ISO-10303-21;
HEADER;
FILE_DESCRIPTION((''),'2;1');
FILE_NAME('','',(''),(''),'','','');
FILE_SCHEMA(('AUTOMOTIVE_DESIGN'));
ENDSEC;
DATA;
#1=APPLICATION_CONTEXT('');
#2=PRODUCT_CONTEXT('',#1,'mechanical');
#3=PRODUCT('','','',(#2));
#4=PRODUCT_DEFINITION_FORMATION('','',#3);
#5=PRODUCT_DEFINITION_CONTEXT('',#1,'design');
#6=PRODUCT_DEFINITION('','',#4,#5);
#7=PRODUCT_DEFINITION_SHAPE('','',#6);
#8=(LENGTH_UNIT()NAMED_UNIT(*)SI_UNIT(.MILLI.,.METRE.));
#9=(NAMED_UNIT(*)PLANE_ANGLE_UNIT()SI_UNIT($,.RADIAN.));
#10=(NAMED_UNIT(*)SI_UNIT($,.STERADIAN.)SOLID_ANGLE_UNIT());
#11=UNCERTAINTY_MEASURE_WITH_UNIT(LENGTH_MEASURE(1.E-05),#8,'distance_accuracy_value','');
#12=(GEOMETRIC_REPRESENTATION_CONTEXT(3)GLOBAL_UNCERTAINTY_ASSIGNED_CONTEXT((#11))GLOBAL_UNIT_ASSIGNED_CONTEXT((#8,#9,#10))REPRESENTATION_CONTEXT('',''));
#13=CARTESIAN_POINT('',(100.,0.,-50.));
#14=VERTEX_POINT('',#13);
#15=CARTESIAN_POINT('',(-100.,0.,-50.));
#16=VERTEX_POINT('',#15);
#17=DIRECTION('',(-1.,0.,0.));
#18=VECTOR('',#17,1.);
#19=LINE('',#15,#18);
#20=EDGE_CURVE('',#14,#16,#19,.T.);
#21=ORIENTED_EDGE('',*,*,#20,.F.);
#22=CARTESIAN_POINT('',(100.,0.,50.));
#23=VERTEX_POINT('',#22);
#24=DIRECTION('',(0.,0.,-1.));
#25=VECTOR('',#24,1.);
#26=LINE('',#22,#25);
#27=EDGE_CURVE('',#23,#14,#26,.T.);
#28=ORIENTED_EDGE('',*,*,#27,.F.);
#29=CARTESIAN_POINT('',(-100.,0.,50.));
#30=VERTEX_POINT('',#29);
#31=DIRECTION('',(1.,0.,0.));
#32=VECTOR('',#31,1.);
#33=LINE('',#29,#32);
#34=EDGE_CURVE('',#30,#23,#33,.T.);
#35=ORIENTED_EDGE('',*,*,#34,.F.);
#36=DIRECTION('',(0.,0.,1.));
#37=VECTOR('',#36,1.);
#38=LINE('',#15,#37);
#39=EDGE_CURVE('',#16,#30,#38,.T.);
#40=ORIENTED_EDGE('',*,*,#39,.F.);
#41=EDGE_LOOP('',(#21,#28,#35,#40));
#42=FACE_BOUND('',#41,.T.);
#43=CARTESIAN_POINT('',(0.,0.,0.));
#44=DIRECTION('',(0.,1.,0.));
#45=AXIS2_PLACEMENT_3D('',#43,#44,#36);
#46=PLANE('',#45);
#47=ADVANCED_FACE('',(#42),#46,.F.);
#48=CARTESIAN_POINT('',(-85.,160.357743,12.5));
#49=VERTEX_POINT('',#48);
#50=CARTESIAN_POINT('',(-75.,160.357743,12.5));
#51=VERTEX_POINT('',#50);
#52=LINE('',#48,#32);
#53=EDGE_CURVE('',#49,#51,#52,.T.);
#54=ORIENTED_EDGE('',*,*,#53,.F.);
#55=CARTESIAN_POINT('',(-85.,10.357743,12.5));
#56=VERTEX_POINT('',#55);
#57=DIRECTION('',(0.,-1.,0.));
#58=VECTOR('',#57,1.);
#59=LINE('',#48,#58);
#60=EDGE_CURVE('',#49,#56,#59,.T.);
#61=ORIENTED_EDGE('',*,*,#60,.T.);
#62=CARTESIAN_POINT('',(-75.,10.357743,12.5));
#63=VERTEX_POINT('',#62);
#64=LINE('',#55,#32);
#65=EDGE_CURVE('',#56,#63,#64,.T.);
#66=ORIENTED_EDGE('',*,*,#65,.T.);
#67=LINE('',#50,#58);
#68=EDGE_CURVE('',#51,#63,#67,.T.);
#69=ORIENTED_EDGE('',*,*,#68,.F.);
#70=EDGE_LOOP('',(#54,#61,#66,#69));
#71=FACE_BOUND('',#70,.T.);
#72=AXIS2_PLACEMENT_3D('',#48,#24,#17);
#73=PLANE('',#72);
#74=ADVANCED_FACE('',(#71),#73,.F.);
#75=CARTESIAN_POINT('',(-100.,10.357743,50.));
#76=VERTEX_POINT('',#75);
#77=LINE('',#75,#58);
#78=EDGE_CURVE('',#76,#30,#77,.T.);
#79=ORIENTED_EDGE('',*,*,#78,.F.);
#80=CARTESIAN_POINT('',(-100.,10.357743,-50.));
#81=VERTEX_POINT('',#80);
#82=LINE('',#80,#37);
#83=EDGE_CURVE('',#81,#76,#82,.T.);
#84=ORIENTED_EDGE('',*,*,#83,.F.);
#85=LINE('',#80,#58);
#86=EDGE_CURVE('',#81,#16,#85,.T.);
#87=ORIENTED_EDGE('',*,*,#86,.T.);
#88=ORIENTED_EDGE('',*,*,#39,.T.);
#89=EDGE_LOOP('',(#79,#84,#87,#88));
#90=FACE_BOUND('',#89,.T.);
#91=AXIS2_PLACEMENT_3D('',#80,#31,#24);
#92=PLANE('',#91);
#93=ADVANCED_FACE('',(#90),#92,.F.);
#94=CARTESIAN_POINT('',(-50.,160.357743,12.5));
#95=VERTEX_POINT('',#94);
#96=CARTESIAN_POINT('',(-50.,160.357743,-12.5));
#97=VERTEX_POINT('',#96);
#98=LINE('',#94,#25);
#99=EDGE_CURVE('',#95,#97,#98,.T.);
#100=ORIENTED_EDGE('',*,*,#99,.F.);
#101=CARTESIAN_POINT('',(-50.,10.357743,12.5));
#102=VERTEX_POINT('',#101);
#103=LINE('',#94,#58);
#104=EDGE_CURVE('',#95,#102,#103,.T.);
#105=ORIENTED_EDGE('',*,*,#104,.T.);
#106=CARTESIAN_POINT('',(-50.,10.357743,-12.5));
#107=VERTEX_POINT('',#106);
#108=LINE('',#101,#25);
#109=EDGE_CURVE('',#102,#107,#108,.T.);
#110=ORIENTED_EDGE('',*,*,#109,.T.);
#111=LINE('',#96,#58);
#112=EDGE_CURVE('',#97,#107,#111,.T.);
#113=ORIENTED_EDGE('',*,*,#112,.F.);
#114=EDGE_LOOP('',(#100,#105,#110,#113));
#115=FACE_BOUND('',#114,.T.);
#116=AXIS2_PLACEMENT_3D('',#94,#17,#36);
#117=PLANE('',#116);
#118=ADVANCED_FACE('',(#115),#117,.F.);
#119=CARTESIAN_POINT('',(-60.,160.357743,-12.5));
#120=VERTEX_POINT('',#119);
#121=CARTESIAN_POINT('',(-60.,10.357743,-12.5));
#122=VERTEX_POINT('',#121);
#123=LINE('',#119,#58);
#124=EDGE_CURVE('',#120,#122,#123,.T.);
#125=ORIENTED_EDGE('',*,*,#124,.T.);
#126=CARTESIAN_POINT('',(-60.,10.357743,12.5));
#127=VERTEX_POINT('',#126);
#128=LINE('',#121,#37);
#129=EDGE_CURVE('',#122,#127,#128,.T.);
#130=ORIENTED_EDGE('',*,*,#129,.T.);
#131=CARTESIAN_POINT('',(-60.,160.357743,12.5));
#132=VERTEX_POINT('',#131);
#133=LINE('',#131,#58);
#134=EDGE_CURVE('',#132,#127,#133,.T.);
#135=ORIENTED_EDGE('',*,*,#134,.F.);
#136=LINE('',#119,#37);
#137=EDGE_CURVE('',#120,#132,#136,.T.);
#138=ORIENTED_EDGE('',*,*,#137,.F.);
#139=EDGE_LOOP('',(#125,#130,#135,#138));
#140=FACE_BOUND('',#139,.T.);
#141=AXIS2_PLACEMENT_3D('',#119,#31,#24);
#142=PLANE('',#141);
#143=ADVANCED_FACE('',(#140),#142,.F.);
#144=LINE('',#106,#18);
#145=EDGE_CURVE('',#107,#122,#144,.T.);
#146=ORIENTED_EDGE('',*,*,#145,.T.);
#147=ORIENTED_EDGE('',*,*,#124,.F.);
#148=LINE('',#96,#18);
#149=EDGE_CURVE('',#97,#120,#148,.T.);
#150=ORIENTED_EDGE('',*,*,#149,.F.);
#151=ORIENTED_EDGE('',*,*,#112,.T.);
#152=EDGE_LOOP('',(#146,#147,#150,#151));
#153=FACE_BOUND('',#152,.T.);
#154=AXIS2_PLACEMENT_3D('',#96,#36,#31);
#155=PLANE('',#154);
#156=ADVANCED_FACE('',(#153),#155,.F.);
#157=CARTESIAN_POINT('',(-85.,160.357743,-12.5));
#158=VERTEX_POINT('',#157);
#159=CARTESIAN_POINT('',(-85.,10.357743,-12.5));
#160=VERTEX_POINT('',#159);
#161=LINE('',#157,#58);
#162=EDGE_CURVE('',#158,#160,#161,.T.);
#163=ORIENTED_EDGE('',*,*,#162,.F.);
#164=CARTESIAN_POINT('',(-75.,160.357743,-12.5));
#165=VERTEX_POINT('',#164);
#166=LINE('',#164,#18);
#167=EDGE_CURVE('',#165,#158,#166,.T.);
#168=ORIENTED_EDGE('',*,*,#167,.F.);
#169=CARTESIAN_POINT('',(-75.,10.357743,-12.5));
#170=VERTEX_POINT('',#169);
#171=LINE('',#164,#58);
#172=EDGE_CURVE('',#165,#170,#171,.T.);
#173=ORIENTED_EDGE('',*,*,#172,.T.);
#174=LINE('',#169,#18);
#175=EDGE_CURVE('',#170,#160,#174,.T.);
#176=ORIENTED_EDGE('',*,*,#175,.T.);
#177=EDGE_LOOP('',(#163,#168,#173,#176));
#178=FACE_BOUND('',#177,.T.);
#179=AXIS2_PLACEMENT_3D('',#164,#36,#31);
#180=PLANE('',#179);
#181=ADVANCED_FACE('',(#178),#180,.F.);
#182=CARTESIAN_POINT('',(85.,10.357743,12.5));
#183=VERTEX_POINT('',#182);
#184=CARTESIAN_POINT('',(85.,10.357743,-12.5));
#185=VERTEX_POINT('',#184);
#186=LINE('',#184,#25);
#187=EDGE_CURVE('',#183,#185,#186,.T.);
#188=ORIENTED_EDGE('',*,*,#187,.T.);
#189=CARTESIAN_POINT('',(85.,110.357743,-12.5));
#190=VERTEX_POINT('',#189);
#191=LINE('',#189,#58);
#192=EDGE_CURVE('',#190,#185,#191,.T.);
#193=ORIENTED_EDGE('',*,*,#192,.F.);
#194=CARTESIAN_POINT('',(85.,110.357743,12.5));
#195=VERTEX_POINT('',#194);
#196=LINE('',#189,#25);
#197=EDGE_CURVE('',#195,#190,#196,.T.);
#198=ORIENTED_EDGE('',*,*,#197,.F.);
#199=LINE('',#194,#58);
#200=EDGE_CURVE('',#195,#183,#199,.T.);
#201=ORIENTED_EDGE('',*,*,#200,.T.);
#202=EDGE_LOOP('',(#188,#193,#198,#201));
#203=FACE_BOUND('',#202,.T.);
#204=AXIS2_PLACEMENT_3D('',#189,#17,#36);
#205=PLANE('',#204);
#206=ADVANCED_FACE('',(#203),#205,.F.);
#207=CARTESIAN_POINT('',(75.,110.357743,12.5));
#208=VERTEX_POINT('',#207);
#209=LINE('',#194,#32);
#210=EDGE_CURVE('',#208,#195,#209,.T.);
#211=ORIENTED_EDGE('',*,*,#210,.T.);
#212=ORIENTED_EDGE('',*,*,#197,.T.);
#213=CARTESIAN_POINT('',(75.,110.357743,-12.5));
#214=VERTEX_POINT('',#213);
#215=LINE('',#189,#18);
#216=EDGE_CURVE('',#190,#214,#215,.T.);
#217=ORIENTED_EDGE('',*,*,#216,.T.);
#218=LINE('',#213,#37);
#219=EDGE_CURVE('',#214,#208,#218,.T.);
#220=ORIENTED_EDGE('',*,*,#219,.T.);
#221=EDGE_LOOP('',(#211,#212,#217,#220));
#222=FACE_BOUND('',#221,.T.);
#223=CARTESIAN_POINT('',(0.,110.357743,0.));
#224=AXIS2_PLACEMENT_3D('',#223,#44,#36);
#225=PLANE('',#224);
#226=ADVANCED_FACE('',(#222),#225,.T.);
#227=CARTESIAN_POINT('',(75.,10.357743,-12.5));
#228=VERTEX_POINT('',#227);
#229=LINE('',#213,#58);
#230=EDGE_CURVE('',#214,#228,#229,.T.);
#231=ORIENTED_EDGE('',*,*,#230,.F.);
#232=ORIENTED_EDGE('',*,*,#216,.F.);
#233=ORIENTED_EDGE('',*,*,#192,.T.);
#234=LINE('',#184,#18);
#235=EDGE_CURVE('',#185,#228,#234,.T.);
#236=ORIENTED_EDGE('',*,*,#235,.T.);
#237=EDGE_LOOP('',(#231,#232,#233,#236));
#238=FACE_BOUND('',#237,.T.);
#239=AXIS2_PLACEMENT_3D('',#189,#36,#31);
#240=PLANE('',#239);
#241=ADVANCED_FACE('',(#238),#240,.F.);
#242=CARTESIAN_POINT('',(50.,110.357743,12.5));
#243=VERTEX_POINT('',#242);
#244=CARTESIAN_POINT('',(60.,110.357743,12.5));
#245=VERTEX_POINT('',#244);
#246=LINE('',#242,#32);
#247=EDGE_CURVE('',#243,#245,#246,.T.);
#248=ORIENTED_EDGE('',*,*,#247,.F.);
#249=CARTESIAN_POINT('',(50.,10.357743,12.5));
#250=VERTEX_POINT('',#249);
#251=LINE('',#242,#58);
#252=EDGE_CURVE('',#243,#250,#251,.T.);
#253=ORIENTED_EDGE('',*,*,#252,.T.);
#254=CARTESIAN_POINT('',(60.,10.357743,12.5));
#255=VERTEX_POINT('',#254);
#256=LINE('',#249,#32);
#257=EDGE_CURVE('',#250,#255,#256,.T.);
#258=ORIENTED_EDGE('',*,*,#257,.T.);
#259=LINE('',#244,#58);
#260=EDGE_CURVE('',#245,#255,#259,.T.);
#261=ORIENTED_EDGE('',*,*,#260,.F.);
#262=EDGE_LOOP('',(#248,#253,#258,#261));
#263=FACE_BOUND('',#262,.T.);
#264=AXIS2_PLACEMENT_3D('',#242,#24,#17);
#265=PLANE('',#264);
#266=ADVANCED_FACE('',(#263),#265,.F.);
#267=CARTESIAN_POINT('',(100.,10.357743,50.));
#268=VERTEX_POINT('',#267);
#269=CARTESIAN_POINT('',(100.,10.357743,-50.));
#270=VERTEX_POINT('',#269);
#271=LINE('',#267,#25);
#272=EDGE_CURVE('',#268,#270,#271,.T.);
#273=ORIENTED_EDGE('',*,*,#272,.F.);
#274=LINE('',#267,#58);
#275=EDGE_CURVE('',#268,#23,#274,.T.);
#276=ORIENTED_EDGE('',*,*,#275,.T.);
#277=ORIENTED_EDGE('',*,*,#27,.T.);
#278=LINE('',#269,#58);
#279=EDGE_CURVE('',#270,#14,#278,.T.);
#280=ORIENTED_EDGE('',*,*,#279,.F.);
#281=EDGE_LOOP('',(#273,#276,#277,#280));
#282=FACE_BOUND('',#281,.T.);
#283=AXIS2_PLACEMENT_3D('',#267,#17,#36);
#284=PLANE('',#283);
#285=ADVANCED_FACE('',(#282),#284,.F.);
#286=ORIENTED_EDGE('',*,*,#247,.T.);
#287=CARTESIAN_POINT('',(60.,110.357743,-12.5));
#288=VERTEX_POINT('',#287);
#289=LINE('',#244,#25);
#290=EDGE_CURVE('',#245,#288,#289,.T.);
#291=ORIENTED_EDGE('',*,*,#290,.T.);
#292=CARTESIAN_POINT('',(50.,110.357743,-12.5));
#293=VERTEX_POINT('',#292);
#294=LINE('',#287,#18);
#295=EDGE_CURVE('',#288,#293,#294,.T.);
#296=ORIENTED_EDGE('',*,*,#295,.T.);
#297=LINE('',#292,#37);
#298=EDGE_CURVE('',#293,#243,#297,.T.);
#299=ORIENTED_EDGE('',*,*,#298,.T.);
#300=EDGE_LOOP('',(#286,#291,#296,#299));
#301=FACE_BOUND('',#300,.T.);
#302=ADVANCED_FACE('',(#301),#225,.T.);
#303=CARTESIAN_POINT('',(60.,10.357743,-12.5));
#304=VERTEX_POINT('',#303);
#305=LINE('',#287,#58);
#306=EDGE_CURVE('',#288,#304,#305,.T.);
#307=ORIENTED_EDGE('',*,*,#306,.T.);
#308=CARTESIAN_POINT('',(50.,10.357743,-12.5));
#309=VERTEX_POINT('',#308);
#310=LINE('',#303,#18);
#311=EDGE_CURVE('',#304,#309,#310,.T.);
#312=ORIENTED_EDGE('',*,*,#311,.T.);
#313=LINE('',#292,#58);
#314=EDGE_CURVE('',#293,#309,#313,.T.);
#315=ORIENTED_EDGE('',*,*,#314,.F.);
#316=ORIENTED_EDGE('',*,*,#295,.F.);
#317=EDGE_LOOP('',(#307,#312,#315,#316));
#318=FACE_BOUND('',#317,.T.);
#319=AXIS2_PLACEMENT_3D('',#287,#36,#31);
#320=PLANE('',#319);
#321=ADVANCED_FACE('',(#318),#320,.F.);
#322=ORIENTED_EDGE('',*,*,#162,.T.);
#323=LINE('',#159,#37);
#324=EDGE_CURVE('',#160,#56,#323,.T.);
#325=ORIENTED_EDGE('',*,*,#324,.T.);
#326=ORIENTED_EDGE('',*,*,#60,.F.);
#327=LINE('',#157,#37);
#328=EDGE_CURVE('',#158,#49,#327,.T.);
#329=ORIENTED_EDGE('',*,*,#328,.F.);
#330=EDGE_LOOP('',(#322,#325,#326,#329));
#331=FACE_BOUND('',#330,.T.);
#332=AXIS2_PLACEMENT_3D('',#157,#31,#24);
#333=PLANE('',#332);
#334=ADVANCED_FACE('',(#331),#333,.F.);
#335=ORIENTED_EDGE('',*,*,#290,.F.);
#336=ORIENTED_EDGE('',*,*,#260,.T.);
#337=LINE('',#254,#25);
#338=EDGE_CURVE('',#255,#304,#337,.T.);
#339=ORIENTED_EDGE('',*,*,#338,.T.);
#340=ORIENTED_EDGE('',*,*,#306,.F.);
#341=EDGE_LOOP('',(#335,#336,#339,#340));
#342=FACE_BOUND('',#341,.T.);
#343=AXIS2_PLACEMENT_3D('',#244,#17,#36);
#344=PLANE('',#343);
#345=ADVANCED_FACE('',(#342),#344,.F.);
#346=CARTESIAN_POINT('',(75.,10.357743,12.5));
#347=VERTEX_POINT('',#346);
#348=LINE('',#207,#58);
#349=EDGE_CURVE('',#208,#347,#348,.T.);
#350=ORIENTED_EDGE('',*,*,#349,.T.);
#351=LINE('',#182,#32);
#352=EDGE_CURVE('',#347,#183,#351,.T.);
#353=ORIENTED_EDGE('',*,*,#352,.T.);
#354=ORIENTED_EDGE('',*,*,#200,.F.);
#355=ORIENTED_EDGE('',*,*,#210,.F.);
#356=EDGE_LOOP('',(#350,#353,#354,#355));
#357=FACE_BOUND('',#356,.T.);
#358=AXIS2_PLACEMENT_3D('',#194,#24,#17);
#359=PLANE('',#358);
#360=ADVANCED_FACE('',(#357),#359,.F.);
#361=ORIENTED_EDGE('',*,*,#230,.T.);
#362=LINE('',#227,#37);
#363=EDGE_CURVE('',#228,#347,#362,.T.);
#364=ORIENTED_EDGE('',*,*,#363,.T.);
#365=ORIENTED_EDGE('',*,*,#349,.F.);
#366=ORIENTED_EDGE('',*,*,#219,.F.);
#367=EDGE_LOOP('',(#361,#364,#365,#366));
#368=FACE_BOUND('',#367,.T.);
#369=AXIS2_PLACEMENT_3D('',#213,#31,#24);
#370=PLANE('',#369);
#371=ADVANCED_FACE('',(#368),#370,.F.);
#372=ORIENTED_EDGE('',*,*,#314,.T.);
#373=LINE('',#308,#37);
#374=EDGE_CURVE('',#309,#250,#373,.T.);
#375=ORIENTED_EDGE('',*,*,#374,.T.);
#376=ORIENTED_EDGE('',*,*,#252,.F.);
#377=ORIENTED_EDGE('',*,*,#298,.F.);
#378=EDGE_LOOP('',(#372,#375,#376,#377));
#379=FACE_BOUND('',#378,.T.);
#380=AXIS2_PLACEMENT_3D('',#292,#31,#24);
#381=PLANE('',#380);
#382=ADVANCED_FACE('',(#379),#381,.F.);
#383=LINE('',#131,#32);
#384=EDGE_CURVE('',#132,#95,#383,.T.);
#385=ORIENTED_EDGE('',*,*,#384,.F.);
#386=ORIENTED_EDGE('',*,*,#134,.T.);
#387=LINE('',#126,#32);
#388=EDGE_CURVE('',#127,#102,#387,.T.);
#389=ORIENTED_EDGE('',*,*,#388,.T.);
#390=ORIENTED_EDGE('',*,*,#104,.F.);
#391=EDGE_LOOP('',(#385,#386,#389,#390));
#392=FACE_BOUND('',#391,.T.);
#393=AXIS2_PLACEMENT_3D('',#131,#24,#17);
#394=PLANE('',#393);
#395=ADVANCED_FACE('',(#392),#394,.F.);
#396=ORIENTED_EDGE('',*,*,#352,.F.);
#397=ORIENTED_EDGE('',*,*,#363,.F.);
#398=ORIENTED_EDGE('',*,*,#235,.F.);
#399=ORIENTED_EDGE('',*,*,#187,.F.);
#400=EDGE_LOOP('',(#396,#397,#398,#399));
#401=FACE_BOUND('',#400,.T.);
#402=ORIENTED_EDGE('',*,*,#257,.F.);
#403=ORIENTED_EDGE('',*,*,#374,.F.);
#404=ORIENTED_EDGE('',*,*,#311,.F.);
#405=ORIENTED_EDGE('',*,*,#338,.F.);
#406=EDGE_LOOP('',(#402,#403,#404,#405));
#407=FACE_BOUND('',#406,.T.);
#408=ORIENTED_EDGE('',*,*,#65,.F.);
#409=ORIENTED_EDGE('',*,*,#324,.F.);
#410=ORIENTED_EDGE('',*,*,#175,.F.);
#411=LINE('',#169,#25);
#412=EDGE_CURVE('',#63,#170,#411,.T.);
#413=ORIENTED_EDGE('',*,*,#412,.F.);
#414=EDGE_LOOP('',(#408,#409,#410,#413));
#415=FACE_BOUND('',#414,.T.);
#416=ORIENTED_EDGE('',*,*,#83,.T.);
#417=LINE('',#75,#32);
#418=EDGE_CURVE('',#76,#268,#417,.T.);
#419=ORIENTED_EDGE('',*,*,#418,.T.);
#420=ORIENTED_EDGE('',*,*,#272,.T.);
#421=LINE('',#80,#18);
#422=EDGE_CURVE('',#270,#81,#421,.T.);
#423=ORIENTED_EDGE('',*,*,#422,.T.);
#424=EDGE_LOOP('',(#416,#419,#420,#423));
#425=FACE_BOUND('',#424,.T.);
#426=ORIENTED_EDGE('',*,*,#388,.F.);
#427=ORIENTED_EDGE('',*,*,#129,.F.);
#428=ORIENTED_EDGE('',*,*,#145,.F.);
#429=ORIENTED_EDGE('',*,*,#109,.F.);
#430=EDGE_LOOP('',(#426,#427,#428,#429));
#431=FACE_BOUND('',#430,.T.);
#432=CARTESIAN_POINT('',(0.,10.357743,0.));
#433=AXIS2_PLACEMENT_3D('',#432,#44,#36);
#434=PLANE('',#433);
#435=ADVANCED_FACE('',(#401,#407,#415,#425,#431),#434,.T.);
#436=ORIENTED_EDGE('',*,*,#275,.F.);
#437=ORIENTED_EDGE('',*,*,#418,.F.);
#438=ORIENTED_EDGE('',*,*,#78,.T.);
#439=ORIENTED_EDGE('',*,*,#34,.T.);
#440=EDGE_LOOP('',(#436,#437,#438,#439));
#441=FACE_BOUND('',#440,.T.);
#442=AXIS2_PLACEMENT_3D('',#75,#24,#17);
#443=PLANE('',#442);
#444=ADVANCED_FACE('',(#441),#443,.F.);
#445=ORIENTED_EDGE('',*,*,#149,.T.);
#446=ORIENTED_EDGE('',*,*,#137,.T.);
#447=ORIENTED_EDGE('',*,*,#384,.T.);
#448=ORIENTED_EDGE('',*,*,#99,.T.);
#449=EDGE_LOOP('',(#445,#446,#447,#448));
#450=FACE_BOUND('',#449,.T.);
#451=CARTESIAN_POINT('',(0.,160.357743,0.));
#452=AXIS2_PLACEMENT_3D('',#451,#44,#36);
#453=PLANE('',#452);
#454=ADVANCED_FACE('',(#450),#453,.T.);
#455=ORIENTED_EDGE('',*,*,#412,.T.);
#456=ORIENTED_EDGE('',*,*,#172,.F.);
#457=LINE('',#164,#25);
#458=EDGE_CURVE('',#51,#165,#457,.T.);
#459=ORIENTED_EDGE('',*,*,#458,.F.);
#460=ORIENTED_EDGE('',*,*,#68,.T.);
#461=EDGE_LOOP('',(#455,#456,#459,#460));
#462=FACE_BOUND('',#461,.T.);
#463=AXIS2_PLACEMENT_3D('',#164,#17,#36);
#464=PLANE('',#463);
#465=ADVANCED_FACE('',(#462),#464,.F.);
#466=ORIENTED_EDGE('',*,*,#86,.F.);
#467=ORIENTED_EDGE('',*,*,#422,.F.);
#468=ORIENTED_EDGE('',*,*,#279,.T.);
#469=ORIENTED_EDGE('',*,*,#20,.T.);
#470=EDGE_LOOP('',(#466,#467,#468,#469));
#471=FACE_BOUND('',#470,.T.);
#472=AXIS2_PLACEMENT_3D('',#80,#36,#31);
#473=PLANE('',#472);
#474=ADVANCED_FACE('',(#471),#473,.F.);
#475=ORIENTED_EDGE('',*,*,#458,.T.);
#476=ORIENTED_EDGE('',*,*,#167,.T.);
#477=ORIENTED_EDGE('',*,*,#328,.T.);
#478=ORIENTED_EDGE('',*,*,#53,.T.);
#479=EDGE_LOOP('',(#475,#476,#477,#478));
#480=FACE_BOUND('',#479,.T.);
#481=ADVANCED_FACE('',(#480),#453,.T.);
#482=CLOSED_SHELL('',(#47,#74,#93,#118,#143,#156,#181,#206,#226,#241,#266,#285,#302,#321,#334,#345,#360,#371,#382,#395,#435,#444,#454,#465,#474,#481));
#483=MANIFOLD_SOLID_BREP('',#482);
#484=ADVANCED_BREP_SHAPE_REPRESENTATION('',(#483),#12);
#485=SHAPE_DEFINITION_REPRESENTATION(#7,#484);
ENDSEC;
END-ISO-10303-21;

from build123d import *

# Parameters (mm, degrees)
SKETCH2_W           = 200
SKETCH2_H           = 100
BOSS_EXTRUDE1_DEPTH = 10.357742679
SKETCH4_W           = 10
SKETCH4_H           = 25
BOSS_EXTRUDE2_DEPTH = 150
SKETCH7_W           = 10
SKETCH7_H           = 25
BOSS_EXTRUDE3_DEPTH = 100


with BuildPart() as part:
    # Sketch2 → Boss-Extrude1 (new body)
    with BuildSketch(Plane(origin=(0, 0, 0), x_dir=(1, 0, 0), z_dir=(0, 1, 0))):
        Rectangle(SKETCH2_W, SKETCH2_H)
    extrude(amount=BOSS_EXTRUDE1_DEPTH)

    # Sketch4 → Boss-Extrude2 (add)
    with BuildSketch(Plane(origin=(0, 10.357742679, 0), x_dir=(1, 0, 0), z_dir=(0, 1, 0))):
        with Locations((-80, 0)):
            Rectangle(SKETCH4_W, SKETCH4_H)
        with Locations((-55, 0)):
            Rectangle(SKETCH4_W, SKETCH4_H)
    extrude(amount=BOSS_EXTRUDE2_DEPTH)

    # Sketch7 → Boss-Extrude3 (add)
    with BuildSketch(Plane(origin=(0, 10.357742679, 0), x_dir=(1, 0, 0), z_dir=(0, 1, 0))):
        with Locations((80, 0)):
            Rectangle(SKETCH7_W, SKETCH7_H)
        with Locations((55, 0)):
            Rectangle(SKETCH7_W, SKETCH7_H)
    extrude(amount=BOSS_EXTRUDE3_DEPTH)


solid = part.part
